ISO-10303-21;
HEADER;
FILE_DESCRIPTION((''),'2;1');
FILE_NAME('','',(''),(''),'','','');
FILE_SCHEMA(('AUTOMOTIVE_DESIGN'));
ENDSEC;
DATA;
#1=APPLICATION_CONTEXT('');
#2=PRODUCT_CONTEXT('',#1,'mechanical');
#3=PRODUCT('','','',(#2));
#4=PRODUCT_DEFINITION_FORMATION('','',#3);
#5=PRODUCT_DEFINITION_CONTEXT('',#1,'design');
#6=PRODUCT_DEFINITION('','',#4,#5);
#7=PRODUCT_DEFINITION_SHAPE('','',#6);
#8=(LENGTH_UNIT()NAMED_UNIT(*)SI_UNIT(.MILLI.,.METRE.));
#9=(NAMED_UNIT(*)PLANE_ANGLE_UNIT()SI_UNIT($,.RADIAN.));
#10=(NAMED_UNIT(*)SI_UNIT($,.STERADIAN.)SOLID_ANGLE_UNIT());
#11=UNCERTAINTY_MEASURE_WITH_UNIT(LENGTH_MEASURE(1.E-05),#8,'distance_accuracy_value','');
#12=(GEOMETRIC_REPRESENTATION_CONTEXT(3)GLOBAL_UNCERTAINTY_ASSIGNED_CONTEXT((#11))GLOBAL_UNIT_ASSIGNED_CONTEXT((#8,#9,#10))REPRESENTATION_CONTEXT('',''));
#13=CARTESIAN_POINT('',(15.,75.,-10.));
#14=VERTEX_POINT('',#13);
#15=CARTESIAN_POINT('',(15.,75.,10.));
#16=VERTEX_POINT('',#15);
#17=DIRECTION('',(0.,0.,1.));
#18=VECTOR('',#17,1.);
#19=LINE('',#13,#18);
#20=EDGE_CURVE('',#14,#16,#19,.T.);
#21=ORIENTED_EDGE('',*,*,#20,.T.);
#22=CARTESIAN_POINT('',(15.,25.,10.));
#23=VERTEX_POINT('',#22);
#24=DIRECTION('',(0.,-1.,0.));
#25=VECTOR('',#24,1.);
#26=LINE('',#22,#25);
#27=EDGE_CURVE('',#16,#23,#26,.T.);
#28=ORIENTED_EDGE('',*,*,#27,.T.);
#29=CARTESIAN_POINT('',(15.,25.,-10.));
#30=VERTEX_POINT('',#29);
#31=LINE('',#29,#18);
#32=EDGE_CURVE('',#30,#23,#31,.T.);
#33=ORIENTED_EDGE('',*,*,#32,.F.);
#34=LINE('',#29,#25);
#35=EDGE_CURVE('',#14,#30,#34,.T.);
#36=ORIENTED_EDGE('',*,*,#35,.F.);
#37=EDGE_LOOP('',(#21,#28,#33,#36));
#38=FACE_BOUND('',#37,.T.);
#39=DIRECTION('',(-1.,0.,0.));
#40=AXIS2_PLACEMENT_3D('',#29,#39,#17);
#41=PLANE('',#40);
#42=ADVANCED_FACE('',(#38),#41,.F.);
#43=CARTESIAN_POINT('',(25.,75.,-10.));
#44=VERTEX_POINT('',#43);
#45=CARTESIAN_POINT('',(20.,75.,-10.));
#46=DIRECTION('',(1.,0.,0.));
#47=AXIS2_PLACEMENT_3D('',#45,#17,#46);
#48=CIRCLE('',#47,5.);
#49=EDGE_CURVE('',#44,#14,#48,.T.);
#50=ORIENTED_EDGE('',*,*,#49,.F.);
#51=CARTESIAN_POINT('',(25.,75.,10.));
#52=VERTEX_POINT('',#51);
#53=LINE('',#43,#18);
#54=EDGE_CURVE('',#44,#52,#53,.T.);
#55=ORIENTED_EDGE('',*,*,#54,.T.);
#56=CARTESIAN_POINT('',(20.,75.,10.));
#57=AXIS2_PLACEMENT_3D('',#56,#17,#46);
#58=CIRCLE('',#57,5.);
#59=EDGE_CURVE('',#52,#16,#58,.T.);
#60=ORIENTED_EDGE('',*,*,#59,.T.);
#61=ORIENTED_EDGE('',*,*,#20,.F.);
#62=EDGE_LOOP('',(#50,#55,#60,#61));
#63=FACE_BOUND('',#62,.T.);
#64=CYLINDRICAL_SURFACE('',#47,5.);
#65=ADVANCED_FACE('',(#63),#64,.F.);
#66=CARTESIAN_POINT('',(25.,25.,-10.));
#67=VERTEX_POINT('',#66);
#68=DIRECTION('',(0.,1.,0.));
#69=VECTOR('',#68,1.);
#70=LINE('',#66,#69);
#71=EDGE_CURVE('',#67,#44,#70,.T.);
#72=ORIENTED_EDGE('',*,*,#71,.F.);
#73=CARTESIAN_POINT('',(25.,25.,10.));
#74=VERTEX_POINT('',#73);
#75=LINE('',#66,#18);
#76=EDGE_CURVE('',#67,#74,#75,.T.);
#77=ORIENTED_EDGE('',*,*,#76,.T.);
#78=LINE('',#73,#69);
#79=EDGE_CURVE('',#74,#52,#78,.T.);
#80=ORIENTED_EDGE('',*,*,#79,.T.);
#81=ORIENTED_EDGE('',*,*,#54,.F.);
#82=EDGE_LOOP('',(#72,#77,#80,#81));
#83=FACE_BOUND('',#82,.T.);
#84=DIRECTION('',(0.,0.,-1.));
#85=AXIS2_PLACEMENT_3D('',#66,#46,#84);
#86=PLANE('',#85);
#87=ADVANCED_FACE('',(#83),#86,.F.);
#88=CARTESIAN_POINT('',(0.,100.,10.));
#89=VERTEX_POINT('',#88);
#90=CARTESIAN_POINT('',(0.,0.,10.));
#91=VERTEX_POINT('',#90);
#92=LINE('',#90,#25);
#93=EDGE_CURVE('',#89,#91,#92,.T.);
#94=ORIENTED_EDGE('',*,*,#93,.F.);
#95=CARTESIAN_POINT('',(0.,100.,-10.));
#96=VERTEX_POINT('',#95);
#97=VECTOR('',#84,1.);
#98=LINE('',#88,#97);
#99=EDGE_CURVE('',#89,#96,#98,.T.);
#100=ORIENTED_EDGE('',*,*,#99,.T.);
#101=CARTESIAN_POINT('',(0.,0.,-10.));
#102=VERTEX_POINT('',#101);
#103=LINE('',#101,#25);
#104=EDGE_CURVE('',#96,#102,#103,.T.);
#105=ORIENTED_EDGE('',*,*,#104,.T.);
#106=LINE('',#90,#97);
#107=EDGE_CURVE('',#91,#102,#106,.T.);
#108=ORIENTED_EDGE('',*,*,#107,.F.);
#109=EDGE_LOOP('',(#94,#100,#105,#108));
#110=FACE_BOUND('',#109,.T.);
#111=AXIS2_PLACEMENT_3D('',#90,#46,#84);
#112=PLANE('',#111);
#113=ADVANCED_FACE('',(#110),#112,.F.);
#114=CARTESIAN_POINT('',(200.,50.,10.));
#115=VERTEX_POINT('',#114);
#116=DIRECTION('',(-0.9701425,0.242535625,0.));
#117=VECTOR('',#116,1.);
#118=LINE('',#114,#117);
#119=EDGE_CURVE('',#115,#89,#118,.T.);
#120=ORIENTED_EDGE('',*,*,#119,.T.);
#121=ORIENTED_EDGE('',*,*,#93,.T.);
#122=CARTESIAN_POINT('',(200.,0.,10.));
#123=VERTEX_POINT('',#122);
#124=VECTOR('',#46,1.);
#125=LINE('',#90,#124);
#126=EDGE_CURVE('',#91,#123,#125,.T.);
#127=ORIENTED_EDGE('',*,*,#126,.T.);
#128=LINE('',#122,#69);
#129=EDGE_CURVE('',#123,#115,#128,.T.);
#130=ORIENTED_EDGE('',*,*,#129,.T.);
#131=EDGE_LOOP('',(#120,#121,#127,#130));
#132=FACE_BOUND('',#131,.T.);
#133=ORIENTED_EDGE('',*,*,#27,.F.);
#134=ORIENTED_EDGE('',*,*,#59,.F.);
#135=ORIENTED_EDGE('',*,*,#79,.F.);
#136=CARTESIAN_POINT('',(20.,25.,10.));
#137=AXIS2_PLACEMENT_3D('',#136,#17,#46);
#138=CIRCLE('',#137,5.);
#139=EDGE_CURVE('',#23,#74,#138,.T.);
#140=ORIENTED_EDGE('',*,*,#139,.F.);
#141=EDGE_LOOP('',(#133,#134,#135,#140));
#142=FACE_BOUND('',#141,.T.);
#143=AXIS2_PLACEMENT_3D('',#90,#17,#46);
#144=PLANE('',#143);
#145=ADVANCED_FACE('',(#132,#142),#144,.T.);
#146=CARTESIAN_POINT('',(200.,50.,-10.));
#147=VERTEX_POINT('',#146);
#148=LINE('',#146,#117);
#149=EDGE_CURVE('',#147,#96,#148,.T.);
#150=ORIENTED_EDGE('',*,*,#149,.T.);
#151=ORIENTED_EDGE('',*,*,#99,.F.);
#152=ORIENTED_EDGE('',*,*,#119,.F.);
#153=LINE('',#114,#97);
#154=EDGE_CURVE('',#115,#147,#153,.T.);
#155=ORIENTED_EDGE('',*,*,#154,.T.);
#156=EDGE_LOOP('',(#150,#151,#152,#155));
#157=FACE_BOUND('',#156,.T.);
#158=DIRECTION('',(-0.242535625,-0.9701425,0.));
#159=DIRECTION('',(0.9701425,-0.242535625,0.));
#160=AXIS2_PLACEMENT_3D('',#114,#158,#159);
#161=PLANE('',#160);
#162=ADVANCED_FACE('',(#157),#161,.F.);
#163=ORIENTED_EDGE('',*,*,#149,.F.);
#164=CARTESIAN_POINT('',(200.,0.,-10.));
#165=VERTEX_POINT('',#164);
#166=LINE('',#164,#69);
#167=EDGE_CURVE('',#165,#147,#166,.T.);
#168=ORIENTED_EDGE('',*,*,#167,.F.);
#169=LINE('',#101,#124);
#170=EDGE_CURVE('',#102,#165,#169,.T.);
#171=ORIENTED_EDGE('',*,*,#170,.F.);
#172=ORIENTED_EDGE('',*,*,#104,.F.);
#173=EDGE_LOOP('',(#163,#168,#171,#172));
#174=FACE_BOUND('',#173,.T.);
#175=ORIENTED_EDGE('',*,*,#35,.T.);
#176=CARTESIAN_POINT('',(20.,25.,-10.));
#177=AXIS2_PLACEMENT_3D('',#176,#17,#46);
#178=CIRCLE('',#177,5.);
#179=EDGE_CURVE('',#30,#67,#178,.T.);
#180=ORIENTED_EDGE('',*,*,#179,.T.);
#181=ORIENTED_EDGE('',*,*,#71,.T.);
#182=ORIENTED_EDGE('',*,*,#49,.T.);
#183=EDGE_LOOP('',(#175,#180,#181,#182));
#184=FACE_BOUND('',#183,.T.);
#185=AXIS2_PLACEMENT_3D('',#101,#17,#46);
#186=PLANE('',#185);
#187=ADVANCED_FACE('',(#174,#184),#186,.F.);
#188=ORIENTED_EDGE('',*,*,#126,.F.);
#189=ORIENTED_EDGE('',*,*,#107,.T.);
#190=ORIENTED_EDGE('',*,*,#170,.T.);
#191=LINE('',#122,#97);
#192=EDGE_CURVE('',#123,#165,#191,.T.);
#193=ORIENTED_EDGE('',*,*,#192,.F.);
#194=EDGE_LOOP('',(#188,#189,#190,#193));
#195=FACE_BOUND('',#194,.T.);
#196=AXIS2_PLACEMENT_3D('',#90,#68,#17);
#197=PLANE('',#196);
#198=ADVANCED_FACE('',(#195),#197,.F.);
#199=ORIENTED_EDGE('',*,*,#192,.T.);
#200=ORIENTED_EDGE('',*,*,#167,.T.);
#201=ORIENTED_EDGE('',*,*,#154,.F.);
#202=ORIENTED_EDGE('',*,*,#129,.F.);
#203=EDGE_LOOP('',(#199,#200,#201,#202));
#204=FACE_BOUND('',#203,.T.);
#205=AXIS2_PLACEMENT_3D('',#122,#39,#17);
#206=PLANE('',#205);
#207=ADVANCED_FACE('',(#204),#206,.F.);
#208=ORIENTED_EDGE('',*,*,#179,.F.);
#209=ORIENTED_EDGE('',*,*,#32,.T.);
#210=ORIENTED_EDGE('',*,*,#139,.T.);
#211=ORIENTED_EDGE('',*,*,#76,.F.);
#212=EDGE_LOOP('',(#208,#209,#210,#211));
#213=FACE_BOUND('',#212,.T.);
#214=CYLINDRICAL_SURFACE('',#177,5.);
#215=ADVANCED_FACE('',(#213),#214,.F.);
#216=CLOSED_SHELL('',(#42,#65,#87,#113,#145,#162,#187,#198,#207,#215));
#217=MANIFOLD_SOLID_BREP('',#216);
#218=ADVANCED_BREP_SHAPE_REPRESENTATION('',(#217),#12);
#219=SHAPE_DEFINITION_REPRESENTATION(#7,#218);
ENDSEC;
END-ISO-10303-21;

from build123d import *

# Parameters (mm, degrees)
AUFSATZ_LINEAR_AUSTRAGEN1_DEPTH = 10
SCHNITT_LINEAR_AUSTRAGEN1_DEPTH = 21


with BuildPart() as part:
    # Skizze1 → Aufsatz-Linear austragen1 (new body, symmetric)
    with BuildSketch(Plane.XY):
        Polygon((0, 0), (0, 100), (200, 50), (200, 0), align=None)
    extrude(amount=AUFSATZ_LINEAR_AUSTRAGEN1_DEPTH, both=True)

    # Skizze2 → Schnitt-Linear austragen1 (cut, through all)
    with BuildSketch(Plane.XY.offset(10)):
        with BuildLine():
            Line((15, 25), (15, 75))
            ThreePointArc((15, 75), (20, 80), (25, 75))
            Line((25, 75), (25, 25))
            ThreePointArc((25, 25), (20, 20), (15, 25))
        make_face()
    extrude(amount=-SCHNITT_LINEAR_AUSTRAGEN1_DEPTH, mode=Mode.SUBTRACT)


solid = part.part
